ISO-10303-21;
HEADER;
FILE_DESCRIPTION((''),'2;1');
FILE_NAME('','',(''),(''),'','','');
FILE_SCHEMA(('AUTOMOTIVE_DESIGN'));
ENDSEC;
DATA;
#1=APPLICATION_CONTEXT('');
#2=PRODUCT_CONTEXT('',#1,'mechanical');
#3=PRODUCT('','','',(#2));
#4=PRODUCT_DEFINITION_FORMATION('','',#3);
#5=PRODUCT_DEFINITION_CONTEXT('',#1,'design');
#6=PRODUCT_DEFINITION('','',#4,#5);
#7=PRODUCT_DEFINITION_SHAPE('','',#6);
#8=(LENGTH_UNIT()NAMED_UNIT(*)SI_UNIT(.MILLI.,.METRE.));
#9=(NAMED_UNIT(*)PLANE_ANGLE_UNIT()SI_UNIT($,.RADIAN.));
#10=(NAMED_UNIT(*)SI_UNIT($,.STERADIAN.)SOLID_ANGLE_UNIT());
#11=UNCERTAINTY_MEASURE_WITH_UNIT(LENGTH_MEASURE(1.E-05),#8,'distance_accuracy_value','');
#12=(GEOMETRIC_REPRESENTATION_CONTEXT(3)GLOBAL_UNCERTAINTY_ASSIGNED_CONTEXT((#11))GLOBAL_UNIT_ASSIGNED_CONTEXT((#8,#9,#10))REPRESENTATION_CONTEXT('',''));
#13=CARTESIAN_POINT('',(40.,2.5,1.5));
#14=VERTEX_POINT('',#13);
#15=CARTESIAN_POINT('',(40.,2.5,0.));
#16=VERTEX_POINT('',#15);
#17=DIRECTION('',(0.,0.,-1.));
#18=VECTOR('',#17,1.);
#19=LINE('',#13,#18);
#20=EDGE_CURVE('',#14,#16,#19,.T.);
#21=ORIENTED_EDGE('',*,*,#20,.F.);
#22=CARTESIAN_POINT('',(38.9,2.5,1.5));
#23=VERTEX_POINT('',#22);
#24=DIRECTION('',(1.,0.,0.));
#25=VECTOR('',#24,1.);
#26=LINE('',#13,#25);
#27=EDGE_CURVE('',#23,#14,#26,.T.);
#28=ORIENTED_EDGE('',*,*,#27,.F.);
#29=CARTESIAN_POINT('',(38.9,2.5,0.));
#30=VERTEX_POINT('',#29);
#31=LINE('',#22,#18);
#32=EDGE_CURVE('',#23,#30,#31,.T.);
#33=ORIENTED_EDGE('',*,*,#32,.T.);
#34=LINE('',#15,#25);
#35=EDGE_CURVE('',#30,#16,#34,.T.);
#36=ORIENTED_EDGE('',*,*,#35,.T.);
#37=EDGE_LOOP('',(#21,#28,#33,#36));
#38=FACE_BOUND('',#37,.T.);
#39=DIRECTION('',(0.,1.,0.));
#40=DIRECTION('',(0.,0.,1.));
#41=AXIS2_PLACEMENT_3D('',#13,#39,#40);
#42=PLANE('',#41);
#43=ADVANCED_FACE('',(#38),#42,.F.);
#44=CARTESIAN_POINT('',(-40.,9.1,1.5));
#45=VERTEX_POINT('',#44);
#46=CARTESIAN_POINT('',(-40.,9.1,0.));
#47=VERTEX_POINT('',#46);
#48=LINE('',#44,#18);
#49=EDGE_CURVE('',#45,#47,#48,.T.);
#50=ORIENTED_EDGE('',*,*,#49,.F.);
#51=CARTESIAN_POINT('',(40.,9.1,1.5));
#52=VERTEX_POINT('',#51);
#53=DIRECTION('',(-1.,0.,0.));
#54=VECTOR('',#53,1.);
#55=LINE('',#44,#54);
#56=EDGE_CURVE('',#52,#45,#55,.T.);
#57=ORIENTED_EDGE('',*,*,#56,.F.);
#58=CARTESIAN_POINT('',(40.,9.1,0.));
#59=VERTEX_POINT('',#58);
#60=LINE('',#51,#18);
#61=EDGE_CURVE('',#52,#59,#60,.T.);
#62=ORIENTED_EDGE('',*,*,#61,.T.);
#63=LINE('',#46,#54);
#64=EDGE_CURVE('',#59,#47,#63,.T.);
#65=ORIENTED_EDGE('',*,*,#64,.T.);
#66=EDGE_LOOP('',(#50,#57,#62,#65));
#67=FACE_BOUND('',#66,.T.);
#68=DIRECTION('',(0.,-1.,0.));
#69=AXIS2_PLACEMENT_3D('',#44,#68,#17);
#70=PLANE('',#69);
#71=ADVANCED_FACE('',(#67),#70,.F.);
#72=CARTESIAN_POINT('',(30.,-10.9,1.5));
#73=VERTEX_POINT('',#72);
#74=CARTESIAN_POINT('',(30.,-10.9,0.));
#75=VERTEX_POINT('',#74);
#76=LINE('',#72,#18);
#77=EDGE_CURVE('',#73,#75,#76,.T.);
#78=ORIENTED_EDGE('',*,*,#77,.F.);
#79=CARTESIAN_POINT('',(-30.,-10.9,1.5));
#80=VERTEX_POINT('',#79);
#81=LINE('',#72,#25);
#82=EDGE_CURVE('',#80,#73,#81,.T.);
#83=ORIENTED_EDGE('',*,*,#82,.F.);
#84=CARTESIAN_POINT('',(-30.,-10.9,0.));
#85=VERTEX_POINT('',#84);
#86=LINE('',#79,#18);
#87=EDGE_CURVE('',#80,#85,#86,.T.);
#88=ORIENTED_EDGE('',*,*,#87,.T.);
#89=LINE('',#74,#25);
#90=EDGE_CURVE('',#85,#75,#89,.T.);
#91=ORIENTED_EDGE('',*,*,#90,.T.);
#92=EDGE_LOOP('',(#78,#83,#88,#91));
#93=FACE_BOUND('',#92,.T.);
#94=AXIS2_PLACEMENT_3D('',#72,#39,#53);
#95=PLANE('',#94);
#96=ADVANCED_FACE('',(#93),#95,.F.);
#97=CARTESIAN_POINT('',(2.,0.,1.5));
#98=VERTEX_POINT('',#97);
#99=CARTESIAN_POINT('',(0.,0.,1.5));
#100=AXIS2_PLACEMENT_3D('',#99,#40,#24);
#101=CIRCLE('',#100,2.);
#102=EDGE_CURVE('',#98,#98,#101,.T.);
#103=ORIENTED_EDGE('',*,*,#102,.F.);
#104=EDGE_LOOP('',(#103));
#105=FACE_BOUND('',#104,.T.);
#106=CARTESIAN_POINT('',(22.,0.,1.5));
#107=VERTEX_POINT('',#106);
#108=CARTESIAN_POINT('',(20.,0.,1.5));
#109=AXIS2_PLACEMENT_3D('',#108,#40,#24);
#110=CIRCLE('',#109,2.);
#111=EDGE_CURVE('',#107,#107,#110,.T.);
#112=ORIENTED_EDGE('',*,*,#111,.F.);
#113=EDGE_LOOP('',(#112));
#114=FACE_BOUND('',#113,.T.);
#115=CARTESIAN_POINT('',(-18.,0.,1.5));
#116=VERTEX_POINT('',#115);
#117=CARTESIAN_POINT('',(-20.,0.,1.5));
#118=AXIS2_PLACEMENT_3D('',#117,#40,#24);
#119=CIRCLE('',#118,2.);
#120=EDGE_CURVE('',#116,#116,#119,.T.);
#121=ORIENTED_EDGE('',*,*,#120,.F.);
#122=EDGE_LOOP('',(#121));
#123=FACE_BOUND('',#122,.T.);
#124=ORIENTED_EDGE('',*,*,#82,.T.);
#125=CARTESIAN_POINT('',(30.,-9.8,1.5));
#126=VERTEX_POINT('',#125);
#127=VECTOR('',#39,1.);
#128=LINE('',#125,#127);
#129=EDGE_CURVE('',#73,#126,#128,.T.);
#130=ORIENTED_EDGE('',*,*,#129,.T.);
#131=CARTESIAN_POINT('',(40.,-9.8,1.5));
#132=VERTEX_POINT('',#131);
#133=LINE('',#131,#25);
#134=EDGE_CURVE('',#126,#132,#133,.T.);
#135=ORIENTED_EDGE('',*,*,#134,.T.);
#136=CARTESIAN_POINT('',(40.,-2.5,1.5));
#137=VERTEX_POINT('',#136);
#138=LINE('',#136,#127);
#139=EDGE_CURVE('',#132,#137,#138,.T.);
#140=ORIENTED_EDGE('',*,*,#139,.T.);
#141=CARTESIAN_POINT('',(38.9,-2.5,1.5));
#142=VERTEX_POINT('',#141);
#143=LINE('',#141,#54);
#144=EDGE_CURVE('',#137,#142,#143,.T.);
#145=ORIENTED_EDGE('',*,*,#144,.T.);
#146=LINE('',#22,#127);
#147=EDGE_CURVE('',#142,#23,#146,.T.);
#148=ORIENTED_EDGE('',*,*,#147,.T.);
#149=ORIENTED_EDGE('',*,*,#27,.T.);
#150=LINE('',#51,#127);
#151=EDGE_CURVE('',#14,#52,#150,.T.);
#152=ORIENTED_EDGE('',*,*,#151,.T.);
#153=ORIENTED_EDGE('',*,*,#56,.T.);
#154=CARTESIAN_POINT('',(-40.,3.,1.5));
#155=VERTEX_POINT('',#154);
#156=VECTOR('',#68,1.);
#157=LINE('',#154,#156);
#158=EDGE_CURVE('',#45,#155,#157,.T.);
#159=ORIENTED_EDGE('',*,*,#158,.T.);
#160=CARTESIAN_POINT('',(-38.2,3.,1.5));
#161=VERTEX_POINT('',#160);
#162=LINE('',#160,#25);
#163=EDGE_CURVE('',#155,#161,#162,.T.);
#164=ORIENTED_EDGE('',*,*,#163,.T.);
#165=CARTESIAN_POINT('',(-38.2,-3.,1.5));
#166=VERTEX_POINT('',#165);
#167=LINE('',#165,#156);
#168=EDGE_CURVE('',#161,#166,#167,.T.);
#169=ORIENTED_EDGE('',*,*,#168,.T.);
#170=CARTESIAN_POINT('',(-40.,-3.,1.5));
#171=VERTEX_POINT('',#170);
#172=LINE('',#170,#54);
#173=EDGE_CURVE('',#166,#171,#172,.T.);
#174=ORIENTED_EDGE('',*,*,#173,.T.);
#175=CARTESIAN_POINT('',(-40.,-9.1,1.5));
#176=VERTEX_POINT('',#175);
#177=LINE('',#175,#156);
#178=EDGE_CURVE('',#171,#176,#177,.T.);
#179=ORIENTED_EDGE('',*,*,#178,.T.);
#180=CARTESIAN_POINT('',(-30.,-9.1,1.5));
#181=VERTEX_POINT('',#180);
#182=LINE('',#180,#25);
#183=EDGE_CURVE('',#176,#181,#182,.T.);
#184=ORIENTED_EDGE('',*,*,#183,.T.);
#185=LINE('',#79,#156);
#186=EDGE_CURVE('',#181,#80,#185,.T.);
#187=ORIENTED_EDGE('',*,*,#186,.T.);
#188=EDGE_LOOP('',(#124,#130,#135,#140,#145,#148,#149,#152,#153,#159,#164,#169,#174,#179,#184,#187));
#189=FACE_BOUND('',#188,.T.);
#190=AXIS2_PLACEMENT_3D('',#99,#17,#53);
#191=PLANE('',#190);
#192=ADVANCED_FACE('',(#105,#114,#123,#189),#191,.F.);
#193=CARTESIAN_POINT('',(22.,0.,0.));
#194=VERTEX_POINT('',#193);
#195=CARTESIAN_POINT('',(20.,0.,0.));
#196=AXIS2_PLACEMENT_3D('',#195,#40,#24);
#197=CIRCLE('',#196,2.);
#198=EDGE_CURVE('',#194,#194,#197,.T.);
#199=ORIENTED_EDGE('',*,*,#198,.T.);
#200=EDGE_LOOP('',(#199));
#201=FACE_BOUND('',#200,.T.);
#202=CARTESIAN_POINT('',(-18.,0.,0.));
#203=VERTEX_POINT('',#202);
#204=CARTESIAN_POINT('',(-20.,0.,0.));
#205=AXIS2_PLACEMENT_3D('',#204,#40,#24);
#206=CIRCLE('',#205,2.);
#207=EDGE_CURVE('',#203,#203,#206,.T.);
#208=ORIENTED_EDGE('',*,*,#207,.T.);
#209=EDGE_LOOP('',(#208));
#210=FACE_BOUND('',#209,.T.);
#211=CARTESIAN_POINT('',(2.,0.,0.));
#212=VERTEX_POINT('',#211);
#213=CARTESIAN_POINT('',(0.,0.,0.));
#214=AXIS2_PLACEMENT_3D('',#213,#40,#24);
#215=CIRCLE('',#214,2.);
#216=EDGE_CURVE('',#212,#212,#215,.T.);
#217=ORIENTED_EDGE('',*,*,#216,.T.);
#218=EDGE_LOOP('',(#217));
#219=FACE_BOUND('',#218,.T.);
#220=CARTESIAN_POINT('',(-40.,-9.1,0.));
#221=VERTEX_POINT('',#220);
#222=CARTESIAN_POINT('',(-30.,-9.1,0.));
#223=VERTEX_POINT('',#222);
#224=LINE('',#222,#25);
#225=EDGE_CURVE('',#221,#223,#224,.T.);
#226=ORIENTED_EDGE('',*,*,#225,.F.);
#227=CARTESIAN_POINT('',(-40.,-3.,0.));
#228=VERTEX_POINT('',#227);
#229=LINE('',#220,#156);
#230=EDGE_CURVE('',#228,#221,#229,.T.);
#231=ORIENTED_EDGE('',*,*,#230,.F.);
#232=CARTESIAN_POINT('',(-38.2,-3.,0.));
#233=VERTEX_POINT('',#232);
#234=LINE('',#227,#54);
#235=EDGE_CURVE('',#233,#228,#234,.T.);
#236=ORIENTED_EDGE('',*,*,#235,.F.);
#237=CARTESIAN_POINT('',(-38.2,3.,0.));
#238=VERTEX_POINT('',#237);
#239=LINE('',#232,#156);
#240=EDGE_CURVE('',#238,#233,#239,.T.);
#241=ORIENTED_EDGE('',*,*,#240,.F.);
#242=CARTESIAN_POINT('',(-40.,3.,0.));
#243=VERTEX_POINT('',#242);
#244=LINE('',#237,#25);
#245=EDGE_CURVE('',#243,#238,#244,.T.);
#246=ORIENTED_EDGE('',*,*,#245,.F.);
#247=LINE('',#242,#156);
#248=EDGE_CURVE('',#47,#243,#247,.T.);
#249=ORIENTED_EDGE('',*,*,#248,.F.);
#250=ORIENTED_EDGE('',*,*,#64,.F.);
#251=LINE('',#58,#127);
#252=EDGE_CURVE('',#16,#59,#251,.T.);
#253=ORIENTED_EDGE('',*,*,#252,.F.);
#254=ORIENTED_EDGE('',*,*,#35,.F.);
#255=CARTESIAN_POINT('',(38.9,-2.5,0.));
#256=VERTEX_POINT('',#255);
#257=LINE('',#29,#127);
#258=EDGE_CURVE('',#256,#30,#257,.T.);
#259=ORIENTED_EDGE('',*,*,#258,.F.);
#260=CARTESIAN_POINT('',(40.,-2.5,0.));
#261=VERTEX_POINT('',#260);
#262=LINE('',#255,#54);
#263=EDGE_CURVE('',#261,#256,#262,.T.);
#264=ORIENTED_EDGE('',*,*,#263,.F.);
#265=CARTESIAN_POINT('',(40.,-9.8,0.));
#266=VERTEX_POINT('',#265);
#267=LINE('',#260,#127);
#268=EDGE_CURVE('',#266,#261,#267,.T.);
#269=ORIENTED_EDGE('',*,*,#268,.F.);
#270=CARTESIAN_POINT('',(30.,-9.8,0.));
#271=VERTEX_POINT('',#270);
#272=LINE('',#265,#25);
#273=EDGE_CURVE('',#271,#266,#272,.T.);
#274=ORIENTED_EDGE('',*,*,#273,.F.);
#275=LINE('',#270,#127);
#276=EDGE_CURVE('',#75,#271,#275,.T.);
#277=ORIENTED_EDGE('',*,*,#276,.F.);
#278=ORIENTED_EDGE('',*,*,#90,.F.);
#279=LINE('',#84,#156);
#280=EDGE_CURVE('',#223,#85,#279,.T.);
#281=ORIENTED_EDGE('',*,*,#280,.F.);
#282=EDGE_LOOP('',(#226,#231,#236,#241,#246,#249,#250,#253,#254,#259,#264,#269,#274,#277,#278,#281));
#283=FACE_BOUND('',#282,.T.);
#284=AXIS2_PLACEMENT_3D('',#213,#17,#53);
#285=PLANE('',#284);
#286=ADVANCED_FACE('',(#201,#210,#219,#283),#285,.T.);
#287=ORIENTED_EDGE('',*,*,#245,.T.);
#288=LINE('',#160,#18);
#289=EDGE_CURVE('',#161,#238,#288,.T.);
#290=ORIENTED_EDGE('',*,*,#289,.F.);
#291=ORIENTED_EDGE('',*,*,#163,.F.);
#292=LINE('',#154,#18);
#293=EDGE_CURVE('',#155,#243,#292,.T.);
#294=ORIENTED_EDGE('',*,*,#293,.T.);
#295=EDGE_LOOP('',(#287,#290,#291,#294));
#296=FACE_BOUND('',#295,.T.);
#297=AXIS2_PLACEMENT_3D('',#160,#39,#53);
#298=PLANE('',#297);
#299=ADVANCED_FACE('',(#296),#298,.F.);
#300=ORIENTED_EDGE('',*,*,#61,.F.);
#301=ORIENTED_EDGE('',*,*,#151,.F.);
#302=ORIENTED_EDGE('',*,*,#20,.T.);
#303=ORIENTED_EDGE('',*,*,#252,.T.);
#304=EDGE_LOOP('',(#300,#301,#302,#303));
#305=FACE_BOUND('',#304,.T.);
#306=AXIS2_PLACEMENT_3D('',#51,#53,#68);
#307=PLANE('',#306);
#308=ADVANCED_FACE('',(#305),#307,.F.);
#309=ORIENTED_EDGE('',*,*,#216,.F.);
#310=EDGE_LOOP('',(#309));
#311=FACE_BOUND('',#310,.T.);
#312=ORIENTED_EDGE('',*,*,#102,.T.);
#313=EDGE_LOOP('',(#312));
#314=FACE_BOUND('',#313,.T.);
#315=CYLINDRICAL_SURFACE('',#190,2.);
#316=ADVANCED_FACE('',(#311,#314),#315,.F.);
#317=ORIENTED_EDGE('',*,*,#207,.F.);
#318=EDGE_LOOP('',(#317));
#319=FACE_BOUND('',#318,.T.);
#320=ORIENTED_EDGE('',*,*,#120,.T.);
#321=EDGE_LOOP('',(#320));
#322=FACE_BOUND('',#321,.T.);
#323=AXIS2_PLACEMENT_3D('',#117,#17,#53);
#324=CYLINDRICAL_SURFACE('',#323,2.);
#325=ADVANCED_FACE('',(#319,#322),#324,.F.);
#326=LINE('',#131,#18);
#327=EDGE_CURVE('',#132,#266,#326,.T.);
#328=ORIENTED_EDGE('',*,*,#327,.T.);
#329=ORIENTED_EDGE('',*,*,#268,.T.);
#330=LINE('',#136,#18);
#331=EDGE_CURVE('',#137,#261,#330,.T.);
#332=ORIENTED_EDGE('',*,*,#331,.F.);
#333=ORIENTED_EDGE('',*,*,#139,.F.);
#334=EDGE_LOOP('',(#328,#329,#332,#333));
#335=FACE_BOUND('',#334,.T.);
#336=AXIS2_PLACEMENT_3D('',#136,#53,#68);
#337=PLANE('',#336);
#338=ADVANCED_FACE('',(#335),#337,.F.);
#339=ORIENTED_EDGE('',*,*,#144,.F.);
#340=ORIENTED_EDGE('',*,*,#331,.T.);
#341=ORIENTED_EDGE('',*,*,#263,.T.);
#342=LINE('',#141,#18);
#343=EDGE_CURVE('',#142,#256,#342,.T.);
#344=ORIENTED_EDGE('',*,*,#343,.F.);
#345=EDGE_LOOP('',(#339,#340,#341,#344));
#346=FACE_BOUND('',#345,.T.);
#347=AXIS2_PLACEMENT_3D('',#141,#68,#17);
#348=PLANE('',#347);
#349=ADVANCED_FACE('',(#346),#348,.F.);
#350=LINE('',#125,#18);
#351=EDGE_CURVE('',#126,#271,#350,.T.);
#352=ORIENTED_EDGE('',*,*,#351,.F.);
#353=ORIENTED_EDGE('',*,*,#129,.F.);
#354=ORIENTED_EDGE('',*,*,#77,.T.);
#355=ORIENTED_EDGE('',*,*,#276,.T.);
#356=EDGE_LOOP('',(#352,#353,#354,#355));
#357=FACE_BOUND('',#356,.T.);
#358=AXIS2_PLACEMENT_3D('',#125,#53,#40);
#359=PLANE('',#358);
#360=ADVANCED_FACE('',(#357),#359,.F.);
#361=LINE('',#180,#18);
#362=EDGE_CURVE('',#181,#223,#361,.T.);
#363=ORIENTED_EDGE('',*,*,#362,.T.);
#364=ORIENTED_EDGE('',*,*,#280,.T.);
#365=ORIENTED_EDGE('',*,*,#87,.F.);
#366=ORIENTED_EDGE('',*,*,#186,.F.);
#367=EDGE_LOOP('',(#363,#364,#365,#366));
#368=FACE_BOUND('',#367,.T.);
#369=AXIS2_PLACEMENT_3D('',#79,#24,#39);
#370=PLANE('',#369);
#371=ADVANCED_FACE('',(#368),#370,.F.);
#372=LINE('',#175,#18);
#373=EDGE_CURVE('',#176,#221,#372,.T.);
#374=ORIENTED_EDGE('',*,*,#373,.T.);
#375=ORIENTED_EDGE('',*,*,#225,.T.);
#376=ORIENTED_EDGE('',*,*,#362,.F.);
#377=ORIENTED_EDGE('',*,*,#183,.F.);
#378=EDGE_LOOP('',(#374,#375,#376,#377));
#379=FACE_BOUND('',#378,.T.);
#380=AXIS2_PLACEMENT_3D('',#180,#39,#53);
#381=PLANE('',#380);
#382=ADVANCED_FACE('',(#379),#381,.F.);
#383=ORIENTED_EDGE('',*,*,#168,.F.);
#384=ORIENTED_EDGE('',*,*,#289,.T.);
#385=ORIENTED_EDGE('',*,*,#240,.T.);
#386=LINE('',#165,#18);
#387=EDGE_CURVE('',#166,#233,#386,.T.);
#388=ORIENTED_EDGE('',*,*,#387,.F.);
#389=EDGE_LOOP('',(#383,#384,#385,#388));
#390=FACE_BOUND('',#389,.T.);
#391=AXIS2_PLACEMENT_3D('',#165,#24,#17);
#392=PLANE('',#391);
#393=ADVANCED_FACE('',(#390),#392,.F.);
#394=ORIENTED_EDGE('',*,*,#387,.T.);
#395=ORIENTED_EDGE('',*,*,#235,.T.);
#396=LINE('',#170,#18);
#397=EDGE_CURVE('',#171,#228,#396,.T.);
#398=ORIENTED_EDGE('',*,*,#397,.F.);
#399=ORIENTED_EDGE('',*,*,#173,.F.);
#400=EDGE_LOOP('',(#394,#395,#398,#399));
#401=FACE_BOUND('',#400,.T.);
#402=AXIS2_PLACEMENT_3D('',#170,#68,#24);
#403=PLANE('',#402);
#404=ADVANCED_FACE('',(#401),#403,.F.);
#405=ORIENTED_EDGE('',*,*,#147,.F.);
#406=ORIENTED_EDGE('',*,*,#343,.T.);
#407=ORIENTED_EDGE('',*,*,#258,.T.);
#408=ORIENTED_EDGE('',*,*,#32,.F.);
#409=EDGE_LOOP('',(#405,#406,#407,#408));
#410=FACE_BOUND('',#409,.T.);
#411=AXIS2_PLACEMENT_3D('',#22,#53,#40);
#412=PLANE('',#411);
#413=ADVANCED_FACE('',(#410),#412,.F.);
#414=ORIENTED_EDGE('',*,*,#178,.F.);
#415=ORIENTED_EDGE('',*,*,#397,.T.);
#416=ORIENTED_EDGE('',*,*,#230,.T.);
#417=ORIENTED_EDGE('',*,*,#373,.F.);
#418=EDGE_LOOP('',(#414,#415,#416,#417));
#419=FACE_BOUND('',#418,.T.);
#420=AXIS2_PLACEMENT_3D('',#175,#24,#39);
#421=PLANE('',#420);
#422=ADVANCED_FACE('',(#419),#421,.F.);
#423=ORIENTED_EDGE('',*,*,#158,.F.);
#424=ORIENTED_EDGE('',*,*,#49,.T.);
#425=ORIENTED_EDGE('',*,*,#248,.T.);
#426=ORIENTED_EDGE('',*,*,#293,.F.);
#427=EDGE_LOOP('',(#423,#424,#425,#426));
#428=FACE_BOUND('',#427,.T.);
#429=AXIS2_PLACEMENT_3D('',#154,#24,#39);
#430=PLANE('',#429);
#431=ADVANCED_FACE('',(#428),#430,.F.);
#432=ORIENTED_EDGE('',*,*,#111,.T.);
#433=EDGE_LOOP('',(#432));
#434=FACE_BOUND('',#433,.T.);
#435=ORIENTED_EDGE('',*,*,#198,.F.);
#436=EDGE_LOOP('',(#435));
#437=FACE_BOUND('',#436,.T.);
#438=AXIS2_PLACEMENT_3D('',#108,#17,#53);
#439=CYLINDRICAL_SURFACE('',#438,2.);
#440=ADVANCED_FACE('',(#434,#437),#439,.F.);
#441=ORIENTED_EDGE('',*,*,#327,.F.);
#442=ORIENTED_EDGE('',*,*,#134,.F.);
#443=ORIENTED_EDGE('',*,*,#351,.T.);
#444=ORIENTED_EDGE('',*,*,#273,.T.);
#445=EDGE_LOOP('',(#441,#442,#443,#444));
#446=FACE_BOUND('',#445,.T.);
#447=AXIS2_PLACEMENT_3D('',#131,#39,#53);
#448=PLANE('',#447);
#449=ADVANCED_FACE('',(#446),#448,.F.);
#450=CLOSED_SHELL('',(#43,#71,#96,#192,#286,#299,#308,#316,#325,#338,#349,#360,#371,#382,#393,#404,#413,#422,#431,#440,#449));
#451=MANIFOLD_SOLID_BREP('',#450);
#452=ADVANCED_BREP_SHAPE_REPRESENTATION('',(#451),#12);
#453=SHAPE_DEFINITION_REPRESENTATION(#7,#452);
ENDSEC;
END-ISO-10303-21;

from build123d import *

# Parameters (mm, degrees)
CROQUIS1_R              = 2
SALIENTE_EXTRUIR1_DEPTH = 1.5


with BuildPart() as part:
    # Croquis1 → Saliente-Extruir1 (new body)
    with BuildSketch(Plane.XY):
        Polygon((-40, 9.1), (40, 9.1), (40, 2.5), (38.9, 2.5), (38.9, -2.5), (40, -2.5), (40, -9.8), (30, -9.8), (30, -10.9), (-30, -10.9), (-30, -9.1), (-40, -9.1), (-40, -3), (-38.2, -3), (-38.2, 3), (-40, 3), align=None)
        with Locations((20, 0)):
            Circle(CROQUIS1_R, mode=Mode.SUBTRACT)
        Circle(CROQUIS1_R, mode=Mode.SUBTRACT)
        with Locations((-20, 0)):
            Circle(CROQUIS1_R, mode=Mode.SUBTRACT)
    extrude(amount=SALIENTE_EXTRUIR1_DEPTH)


solid = part.part
